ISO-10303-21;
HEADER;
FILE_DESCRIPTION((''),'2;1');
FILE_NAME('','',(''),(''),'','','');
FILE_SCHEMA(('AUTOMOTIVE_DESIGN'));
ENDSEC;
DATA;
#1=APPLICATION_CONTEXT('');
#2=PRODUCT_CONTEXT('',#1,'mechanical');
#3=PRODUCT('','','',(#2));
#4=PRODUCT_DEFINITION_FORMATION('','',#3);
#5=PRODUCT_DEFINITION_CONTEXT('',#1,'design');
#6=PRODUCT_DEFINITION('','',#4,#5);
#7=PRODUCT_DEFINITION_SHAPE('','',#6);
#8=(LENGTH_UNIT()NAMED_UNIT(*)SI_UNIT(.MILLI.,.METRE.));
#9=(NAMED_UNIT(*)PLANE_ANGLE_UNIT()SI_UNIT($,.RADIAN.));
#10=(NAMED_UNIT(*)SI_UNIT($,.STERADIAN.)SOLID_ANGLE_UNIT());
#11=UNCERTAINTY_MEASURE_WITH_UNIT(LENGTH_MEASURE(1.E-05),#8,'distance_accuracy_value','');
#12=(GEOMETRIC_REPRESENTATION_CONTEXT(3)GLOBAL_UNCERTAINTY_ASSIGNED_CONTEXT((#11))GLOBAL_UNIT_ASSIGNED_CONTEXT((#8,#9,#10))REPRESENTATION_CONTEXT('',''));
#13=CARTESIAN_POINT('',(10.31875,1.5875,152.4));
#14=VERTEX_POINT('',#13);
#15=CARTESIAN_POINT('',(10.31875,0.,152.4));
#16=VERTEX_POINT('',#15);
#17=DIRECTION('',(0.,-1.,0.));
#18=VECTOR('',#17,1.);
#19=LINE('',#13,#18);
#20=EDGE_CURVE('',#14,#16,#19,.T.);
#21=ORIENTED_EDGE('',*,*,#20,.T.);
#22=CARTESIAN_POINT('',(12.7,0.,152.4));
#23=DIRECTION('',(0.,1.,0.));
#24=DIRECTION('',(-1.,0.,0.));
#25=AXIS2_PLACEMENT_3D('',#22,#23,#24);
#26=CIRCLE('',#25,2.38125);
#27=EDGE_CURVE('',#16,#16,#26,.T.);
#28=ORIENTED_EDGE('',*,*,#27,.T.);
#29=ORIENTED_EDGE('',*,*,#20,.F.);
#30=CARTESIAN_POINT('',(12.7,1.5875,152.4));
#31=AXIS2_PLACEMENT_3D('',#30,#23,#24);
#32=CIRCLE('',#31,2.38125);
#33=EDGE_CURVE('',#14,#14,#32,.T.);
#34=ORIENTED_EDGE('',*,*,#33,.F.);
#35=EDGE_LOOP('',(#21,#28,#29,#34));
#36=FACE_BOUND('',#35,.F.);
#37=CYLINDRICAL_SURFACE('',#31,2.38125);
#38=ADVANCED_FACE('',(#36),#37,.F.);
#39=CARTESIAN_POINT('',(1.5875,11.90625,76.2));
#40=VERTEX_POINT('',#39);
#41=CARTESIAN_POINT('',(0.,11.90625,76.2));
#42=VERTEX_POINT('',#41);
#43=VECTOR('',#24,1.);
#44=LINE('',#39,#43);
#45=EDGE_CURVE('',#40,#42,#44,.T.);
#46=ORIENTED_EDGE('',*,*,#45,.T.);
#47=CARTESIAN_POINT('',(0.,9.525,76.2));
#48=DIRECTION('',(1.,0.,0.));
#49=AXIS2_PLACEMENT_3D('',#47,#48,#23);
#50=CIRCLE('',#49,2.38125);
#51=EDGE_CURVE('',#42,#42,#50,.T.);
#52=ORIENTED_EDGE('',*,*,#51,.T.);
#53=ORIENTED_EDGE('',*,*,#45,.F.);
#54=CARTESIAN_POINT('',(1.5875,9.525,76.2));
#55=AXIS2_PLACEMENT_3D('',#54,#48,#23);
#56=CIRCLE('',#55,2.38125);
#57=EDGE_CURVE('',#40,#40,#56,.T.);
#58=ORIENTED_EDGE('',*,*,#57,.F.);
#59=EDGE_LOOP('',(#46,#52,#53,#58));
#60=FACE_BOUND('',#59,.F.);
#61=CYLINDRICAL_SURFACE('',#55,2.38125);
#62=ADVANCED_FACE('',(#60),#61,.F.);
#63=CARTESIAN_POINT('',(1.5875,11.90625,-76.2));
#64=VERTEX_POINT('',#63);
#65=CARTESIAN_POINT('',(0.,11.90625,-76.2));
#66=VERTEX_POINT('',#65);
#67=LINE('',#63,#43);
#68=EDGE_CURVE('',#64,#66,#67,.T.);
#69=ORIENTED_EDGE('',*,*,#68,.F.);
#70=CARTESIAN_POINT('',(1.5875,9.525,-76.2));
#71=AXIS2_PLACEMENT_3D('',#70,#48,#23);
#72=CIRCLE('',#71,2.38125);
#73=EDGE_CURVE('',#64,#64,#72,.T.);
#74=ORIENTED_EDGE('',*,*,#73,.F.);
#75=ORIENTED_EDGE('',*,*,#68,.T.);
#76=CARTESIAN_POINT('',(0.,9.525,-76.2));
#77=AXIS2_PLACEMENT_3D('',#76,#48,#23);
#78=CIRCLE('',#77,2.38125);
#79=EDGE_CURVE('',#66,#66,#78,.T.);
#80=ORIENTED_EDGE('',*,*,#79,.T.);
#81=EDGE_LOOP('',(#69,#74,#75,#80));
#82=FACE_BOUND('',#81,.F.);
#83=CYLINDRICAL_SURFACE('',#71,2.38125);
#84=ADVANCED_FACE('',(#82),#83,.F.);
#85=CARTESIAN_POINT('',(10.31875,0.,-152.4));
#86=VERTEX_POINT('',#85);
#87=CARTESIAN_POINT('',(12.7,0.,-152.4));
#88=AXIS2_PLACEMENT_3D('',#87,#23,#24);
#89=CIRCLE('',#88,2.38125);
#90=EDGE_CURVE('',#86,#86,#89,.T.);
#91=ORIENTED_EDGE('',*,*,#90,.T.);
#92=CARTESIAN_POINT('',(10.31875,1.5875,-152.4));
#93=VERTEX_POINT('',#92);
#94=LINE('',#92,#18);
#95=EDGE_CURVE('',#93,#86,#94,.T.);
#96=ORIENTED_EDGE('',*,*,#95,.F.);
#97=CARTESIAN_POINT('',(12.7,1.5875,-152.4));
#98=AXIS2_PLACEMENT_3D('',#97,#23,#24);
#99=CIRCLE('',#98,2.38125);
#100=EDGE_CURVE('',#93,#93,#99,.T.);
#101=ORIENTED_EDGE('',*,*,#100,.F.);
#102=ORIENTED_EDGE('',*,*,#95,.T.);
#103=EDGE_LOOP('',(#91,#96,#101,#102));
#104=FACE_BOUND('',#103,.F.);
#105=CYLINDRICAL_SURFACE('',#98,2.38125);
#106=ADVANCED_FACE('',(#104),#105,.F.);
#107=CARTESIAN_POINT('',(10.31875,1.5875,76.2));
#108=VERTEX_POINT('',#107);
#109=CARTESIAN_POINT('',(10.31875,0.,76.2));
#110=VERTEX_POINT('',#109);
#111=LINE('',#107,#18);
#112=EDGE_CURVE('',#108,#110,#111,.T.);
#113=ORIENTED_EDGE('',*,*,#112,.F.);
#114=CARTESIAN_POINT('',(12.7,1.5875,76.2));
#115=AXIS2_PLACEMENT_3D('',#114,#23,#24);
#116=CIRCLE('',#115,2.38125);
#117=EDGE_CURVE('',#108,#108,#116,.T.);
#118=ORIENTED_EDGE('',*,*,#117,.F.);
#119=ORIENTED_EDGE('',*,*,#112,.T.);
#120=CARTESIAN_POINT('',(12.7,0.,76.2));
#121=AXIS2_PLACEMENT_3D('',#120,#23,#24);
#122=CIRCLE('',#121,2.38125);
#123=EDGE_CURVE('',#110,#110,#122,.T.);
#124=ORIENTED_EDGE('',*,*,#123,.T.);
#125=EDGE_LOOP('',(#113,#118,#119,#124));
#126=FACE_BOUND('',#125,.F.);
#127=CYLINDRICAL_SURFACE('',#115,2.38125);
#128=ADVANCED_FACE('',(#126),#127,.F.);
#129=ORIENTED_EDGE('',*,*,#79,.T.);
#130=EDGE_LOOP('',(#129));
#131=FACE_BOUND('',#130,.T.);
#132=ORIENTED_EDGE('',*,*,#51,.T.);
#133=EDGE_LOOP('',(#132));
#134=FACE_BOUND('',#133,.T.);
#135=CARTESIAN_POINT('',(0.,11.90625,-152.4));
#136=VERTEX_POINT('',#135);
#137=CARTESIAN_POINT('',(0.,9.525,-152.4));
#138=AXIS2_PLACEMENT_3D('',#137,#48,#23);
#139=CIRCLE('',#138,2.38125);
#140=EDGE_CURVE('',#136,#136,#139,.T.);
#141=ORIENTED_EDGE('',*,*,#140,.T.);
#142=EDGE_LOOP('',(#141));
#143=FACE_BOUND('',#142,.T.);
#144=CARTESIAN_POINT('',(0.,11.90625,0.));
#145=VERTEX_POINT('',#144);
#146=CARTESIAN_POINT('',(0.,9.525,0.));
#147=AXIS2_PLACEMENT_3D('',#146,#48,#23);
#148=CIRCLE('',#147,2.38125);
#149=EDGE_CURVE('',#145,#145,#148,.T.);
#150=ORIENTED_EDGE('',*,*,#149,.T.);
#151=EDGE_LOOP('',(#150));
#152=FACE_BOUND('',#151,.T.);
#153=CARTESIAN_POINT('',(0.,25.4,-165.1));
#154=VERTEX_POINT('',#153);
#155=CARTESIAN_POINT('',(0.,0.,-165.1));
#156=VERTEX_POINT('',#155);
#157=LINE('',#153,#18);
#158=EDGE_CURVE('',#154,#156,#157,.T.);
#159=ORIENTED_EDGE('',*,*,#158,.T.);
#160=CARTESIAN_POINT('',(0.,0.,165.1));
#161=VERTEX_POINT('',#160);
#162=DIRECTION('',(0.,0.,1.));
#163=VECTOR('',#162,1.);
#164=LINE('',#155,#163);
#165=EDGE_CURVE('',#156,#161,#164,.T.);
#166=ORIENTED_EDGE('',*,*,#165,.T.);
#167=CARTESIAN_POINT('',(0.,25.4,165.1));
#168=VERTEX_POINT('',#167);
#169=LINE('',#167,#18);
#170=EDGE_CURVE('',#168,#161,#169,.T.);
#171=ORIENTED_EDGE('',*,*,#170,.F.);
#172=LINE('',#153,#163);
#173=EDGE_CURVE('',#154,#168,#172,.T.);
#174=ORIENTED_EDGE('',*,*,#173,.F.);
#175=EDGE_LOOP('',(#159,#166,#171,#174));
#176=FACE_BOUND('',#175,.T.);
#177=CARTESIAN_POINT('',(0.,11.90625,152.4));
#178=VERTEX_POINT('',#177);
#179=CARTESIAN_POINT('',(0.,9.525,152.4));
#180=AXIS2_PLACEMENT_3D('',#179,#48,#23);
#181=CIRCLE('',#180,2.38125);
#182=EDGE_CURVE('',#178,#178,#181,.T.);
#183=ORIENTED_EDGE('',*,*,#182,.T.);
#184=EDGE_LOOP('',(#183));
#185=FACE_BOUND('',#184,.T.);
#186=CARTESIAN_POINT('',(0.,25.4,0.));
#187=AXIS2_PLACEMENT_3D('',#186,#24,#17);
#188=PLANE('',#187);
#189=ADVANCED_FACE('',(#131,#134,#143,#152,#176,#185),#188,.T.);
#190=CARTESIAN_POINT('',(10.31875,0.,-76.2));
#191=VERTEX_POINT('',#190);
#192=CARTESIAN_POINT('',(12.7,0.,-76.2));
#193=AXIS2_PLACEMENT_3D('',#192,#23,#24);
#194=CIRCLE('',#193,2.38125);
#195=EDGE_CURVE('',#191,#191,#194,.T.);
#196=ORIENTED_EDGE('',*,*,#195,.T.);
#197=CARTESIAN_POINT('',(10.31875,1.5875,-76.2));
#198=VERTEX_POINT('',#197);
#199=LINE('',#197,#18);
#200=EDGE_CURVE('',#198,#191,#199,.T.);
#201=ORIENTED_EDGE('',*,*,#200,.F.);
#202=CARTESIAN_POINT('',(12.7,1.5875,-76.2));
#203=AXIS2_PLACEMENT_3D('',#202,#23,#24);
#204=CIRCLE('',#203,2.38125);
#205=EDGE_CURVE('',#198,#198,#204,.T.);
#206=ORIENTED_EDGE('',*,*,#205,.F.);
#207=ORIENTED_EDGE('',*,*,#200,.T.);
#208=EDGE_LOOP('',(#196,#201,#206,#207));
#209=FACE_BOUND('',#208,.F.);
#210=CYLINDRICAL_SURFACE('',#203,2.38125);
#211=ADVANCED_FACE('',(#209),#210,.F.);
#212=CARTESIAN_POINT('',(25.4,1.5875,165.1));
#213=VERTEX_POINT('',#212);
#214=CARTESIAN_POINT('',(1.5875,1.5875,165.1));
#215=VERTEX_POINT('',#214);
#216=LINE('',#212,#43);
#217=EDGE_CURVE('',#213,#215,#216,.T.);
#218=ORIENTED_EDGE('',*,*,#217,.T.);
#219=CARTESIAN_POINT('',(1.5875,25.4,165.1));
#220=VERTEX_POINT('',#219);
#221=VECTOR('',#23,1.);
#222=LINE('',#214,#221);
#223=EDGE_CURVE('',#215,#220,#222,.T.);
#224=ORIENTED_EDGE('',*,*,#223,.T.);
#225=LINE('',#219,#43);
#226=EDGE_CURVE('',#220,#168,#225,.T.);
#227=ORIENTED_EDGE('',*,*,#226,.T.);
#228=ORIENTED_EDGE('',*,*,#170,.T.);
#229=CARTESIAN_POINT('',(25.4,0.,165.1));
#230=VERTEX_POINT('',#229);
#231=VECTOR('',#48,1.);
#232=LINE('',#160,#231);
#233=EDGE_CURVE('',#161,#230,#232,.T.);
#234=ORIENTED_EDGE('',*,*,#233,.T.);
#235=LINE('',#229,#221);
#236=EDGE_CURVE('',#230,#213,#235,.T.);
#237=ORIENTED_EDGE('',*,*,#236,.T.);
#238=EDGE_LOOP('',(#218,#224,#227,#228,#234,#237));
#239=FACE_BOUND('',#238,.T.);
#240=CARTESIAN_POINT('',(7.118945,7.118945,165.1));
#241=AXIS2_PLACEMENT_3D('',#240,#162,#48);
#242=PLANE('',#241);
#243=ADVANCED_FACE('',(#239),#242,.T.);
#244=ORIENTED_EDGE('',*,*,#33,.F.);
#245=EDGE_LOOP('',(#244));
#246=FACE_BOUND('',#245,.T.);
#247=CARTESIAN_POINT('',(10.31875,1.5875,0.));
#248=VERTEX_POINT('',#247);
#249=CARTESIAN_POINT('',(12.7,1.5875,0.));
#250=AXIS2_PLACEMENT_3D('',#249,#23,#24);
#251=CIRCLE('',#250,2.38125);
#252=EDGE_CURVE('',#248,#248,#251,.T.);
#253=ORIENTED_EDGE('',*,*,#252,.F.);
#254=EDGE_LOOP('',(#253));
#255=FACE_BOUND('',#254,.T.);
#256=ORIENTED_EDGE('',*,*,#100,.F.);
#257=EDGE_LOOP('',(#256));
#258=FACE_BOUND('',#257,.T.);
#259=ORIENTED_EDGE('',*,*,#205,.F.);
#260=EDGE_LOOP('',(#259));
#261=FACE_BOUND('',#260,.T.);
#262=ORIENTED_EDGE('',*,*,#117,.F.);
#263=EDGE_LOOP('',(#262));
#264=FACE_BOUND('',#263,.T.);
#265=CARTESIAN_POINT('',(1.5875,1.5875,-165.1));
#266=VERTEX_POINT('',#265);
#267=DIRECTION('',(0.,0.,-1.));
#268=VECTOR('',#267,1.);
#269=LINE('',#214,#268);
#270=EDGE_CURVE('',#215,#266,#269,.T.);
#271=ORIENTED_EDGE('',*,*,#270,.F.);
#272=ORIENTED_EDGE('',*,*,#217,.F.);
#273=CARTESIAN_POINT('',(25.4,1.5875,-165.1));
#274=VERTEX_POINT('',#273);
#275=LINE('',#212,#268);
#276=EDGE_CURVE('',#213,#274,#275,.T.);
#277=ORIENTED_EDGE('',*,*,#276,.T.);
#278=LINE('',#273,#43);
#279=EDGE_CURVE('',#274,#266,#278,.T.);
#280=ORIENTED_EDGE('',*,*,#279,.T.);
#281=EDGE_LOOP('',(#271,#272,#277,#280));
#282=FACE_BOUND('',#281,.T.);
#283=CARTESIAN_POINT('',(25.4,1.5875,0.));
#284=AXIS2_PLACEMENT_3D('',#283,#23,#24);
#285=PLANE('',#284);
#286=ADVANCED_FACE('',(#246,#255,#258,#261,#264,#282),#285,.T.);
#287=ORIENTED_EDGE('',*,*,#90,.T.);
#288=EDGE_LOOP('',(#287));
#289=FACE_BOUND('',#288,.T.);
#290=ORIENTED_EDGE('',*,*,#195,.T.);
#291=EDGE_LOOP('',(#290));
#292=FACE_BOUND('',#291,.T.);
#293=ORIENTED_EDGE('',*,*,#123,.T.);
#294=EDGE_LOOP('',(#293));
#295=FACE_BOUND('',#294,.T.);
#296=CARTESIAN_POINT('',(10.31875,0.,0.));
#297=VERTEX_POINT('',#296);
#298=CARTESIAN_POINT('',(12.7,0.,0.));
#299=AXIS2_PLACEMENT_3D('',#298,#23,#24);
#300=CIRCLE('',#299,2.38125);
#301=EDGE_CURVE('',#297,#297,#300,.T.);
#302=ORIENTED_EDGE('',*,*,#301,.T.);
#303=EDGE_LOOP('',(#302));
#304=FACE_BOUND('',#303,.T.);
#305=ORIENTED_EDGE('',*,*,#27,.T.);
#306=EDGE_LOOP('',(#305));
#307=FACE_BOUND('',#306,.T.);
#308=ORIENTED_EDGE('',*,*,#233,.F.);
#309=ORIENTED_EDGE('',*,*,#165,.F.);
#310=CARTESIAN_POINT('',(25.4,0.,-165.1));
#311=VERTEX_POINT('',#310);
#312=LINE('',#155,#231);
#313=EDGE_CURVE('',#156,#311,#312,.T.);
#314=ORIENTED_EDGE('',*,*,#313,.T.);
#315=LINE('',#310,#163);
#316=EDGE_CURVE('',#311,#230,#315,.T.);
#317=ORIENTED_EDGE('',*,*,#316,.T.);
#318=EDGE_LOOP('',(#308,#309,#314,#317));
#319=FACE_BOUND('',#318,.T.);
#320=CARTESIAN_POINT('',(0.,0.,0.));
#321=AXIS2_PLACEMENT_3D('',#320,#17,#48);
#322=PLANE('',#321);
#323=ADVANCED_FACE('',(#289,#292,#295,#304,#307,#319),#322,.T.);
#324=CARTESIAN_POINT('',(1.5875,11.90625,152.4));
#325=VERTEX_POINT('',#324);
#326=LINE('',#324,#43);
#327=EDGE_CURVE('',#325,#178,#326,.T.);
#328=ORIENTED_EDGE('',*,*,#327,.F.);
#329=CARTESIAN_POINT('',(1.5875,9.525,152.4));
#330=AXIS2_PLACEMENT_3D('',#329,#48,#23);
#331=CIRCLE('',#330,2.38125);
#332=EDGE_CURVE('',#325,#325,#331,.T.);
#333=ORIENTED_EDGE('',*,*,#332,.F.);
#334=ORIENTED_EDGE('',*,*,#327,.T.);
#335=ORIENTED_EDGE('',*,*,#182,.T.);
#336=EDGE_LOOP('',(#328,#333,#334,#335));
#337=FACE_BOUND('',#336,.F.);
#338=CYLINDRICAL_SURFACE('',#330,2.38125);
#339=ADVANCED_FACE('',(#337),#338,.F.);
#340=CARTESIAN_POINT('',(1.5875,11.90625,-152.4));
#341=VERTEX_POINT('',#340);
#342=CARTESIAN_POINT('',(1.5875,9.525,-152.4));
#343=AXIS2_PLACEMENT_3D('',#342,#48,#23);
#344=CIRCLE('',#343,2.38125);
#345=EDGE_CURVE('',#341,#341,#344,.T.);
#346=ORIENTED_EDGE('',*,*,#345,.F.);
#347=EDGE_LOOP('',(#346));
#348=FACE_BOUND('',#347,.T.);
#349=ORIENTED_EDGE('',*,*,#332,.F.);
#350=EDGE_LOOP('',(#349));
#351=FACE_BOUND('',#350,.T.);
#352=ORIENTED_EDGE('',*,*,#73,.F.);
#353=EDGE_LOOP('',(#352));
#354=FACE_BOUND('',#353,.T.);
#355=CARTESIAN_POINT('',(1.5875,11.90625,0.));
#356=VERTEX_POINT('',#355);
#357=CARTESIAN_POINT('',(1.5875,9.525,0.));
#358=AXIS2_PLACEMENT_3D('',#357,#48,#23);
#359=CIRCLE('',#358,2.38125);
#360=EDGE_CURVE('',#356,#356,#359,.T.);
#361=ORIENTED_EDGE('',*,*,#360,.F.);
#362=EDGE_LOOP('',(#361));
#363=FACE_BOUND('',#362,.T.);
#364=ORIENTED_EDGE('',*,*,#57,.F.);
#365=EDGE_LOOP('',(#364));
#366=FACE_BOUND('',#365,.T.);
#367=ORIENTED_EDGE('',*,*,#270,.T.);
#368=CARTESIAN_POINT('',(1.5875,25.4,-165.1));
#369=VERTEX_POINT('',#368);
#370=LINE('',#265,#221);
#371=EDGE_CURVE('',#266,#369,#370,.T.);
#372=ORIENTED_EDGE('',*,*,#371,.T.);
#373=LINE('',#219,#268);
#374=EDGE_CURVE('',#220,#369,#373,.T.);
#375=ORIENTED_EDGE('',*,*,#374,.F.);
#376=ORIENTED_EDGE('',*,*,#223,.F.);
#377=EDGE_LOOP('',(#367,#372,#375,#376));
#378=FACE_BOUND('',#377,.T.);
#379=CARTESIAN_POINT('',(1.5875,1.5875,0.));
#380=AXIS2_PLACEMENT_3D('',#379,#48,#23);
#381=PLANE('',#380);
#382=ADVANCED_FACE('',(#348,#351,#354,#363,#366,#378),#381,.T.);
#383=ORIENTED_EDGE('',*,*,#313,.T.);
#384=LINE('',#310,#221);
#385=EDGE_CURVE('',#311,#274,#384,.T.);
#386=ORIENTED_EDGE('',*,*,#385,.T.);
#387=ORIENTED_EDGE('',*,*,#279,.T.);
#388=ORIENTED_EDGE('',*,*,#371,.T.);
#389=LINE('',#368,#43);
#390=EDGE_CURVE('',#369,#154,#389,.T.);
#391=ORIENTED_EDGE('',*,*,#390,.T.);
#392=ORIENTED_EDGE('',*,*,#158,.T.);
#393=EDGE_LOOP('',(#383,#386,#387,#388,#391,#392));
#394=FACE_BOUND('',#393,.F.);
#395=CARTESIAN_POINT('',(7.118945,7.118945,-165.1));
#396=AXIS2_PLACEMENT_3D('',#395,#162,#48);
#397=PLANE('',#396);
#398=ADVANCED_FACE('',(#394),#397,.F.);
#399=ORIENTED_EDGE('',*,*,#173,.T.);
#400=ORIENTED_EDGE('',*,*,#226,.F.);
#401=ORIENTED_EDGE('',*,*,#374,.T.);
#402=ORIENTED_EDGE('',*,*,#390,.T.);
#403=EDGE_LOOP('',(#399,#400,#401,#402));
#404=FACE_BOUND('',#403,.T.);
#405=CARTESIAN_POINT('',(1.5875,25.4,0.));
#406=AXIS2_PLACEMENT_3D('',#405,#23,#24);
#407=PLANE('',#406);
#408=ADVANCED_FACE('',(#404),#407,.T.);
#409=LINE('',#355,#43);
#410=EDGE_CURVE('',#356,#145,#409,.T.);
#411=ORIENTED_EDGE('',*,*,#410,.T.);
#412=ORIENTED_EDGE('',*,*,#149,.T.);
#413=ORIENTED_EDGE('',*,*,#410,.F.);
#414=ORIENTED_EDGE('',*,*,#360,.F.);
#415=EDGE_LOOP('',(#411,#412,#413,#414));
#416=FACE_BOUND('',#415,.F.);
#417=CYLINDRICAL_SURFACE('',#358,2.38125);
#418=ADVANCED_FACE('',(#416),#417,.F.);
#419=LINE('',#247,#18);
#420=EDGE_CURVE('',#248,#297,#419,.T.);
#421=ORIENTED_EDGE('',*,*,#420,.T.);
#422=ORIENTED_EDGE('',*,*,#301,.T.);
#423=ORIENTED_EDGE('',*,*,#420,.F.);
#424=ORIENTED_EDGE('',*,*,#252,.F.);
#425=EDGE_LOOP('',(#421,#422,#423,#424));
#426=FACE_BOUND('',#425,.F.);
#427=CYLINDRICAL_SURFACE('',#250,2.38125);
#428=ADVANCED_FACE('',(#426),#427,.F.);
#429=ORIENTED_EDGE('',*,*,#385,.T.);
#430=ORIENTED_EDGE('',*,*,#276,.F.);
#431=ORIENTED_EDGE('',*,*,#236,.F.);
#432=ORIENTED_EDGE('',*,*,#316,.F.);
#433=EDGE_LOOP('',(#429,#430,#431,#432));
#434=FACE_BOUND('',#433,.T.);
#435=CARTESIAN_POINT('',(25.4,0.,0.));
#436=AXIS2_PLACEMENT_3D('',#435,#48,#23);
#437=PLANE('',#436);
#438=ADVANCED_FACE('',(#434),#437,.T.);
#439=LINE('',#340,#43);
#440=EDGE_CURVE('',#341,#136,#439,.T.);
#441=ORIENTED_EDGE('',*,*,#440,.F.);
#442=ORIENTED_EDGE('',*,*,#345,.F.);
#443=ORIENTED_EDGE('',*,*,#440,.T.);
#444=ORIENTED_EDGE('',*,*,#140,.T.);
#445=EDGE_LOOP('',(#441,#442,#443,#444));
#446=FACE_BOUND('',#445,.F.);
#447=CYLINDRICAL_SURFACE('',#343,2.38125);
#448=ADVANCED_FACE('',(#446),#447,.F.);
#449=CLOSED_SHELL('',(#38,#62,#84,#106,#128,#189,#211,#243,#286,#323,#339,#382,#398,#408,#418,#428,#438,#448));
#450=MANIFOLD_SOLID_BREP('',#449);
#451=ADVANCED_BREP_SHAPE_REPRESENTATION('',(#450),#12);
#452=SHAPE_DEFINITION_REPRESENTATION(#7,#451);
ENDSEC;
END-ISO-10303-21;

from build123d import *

# Parameters (mm, degrees)
F1_DEPTH = 165.1
F2_R     = 2.38125
F3_DEPTH = 1.5875
F4_R     = 2.38125
F5_DEPTH = 25.4


with BuildPart() as f1:
    # F0 (on Top) → F1 (new body, symmetric)
    with BuildSketch(Plane.XY):
        Polygon((1.5875, 25.4), (0, 25.4), (0, 0), (25.4, 0), (25.4, 1.5875), (1.5875, 1.5875), align=None)
    extrude(amount=F1_DEPTH, both=True)

    # F2 (on face) → F3 (cut, through all)
    with BuildSketch(Plane(origin=(0, 1.5875, 0), x_dir=(-1, 0, 0), z_dir=(0, 1, 0))):
        with Locations((-12.7, -152.4)):
            Circle(F2_R)
        with Locations((-12.7, 152.4)):
            Circle(F2_R)
        with Locations((-12.7, 76.2)):
            Circle(F2_R)
        with Locations((-12.7, -76.2)):
            Circle(F2_R)
        with Locations((-12.7, 0)):
            Circle(F2_R)
    extrude(amount=-F3_DEPTH, mode=Mode.SUBTRACT)

    # F4 (on face) → F5 (cut)
    with BuildSketch(Plane.YZ.offset(1.5875)):
        with Locations((9.525, -152.4)):
            Circle(F4_R)
        with Locations((9.525, -76.2)):
            Circle(F4_R)
        with Locations((9.525, 0)):
            Circle(F4_R)
        with Locations((9.525, 76.2)):
            Circle(F4_R)
        with Locations((9.525, 152.4)):
            Circle(F4_R)
    extrude(amount=-F5_DEPTH, mode=Mode.SUBTRACT)


solid = f1.part
